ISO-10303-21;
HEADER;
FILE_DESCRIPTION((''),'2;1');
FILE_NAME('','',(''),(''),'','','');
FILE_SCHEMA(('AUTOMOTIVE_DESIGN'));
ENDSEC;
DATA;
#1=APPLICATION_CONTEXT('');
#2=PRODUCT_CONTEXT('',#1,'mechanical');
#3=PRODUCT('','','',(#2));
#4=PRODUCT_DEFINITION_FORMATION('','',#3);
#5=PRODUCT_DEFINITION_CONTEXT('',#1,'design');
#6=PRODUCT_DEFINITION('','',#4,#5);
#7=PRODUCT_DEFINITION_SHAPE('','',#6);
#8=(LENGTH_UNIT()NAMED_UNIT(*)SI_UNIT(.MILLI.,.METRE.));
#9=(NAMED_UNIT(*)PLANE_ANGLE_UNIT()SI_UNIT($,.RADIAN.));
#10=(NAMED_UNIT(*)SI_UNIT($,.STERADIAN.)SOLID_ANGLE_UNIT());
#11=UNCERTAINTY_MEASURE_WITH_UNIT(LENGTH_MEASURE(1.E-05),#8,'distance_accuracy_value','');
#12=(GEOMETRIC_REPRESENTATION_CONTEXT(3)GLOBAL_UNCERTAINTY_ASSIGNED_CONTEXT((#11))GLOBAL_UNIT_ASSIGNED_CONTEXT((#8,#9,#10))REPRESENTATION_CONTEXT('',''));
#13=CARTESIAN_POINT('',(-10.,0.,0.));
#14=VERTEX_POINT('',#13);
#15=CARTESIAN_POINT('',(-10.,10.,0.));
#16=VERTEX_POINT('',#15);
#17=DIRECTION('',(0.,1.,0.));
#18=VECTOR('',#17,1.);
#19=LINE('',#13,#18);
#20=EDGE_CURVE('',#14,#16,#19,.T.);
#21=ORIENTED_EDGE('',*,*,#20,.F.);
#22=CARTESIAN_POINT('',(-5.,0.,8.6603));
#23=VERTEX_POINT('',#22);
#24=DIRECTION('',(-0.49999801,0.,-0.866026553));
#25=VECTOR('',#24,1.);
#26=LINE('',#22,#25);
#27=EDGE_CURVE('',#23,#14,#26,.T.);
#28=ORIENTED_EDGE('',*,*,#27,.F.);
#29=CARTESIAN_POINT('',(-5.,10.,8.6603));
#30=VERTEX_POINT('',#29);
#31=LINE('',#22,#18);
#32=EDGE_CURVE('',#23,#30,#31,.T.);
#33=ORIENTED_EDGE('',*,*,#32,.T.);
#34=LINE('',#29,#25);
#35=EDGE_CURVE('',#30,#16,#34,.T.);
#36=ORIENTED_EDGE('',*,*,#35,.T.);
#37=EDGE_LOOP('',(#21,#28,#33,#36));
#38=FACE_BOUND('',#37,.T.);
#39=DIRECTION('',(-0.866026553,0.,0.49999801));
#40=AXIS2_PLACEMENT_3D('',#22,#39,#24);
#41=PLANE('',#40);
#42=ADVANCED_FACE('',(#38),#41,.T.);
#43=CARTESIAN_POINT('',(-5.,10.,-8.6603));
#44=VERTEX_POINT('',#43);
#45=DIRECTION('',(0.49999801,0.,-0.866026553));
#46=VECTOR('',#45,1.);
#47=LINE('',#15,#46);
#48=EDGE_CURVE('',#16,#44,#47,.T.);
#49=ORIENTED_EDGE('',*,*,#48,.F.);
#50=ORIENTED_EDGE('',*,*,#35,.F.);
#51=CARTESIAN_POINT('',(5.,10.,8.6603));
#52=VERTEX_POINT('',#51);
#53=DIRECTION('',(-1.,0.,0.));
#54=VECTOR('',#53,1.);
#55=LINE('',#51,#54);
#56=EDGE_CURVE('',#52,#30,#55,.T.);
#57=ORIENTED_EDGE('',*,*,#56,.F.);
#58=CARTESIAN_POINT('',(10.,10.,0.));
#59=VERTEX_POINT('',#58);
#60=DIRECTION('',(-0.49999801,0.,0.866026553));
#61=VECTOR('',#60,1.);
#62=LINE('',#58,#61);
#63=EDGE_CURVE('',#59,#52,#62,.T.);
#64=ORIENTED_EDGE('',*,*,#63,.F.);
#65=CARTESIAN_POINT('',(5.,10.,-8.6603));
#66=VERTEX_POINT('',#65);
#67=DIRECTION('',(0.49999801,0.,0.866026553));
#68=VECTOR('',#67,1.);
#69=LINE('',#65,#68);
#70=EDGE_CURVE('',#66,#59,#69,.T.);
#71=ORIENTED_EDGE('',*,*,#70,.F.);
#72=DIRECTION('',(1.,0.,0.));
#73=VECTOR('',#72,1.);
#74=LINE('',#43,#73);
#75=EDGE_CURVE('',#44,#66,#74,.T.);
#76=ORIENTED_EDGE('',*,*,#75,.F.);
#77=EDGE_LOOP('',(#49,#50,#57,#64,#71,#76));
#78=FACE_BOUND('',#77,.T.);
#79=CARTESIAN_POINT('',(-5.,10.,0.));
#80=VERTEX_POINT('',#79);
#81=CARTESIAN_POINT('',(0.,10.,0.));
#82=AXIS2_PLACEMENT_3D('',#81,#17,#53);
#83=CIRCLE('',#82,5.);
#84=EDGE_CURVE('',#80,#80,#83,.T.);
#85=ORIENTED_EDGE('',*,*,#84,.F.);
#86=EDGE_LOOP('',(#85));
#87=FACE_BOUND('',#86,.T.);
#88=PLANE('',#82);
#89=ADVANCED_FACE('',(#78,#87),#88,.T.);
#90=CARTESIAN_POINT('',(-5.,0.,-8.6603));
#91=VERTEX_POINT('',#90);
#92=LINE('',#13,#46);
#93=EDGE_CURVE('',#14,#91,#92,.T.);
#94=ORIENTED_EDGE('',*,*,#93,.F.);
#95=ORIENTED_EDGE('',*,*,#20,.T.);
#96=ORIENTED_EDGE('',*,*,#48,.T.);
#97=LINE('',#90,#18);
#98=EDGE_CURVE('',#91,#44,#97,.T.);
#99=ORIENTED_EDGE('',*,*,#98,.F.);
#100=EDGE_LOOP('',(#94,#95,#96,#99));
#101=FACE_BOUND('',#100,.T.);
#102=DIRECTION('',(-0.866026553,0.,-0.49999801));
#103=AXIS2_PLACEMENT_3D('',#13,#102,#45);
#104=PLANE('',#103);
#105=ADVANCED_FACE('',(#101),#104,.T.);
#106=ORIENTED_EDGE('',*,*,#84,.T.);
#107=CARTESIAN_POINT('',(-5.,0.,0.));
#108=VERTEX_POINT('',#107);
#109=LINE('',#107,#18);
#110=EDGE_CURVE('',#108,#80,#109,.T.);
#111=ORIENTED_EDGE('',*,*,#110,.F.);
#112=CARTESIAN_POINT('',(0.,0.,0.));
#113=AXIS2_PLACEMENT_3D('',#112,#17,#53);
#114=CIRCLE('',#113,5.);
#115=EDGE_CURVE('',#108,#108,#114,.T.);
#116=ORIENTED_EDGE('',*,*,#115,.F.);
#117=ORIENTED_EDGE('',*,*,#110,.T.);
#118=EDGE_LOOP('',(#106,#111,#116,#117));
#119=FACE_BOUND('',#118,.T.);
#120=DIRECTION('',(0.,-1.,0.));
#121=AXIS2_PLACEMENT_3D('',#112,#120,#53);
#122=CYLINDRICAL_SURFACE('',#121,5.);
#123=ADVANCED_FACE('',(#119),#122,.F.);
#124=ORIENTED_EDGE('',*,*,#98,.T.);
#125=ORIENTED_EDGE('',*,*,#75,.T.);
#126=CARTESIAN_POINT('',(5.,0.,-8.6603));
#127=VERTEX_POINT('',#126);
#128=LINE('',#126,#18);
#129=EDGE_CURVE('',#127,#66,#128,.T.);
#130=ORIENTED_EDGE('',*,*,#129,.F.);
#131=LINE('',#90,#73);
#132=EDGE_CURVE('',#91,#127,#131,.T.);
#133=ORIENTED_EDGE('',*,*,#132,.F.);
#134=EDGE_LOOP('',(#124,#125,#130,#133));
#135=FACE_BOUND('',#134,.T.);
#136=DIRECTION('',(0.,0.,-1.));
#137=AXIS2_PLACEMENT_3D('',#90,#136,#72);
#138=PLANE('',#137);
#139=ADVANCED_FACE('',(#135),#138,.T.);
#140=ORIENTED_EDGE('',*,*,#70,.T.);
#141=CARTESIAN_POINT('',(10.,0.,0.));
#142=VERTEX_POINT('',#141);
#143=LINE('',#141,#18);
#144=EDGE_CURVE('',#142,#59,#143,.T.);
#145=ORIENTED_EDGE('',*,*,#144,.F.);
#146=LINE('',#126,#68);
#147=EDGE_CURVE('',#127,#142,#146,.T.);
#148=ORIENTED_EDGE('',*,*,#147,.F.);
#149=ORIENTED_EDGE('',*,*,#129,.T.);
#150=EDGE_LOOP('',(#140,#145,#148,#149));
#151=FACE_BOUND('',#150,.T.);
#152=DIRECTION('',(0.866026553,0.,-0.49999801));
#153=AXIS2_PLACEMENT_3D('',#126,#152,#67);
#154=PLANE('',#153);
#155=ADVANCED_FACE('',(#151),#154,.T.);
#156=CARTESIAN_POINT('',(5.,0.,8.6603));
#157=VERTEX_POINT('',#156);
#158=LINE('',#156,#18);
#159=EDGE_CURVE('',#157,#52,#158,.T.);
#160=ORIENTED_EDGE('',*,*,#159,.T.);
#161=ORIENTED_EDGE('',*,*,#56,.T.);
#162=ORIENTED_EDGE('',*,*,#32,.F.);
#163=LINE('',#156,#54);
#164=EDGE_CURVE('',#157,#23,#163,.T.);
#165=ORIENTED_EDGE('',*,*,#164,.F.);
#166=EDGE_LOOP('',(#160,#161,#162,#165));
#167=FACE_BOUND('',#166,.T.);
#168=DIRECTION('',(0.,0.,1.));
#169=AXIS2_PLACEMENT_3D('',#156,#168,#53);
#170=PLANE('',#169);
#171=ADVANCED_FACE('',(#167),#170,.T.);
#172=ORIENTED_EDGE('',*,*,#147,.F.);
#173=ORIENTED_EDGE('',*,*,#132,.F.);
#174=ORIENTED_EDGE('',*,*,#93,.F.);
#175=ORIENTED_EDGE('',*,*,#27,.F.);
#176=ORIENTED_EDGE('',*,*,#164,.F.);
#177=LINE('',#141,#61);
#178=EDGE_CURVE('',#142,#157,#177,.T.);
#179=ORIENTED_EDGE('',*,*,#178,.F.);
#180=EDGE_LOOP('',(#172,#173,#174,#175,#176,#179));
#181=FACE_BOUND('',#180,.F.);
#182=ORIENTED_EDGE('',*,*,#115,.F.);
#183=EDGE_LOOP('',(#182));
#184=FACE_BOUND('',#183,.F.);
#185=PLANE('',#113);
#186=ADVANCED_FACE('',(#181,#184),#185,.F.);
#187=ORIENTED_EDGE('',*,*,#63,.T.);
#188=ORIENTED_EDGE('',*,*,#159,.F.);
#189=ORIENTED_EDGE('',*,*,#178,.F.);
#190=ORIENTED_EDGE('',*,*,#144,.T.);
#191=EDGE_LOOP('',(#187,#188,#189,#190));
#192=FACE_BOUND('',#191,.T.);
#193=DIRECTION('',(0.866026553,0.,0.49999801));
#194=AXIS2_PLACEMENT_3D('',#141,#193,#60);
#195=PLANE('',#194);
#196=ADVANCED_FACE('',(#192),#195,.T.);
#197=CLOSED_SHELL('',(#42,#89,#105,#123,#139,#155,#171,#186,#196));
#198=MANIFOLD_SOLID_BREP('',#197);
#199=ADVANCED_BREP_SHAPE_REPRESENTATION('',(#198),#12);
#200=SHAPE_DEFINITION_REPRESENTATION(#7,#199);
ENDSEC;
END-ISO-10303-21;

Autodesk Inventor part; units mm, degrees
ref_plane "YZ Plane" through (0, 0, 0) normal (1, 0, 0) x (0, 1, 0)
ref_plane "XZ Plane" through (0, 0, 0) normal (0, 1, 0) x (-1, 0, 0)
ref_plane "XY Plane" through (0, 0, 0) normal (0, 0, 1) x (1, 0, 0)
sketch "Sketch1" plane through (0, 0, 0) normal (0, 1, 0) x (-1, 0, 0)
  circle A0 centre (0, 0) radius 10 construction
  line L0 (10, 0) -> (5, -8.6603)
  line L1 (5, -8.6603) -> (-5, -8.6603)
  line L2 (-5, -8.6603) -> (-10, 0)
  line L3 (-10, 0) -> (-5, 8.6603)
  line L4 (-5, 8.6603) -> (5, 8.6603)
  line L5 (5, 8.6603) -> (10, 0)
  circle A1 centre (0, 0) radius 5
  dimension "d0" = 20
  dimension "d3" = 10
extrude "Extrusion1" add sketch "Sketch1" along normal blind 10 contours L0 L1 L2 L3 L4 L5 | A1
extrude "Extrusion2" cut sketch "Sketch1" along normal blind 10 contours A1
thread "Thread1" size "M10x1" class "6H" standard "ISO Metric profile" length 10
properties part number "NutA" material "Titanium"
